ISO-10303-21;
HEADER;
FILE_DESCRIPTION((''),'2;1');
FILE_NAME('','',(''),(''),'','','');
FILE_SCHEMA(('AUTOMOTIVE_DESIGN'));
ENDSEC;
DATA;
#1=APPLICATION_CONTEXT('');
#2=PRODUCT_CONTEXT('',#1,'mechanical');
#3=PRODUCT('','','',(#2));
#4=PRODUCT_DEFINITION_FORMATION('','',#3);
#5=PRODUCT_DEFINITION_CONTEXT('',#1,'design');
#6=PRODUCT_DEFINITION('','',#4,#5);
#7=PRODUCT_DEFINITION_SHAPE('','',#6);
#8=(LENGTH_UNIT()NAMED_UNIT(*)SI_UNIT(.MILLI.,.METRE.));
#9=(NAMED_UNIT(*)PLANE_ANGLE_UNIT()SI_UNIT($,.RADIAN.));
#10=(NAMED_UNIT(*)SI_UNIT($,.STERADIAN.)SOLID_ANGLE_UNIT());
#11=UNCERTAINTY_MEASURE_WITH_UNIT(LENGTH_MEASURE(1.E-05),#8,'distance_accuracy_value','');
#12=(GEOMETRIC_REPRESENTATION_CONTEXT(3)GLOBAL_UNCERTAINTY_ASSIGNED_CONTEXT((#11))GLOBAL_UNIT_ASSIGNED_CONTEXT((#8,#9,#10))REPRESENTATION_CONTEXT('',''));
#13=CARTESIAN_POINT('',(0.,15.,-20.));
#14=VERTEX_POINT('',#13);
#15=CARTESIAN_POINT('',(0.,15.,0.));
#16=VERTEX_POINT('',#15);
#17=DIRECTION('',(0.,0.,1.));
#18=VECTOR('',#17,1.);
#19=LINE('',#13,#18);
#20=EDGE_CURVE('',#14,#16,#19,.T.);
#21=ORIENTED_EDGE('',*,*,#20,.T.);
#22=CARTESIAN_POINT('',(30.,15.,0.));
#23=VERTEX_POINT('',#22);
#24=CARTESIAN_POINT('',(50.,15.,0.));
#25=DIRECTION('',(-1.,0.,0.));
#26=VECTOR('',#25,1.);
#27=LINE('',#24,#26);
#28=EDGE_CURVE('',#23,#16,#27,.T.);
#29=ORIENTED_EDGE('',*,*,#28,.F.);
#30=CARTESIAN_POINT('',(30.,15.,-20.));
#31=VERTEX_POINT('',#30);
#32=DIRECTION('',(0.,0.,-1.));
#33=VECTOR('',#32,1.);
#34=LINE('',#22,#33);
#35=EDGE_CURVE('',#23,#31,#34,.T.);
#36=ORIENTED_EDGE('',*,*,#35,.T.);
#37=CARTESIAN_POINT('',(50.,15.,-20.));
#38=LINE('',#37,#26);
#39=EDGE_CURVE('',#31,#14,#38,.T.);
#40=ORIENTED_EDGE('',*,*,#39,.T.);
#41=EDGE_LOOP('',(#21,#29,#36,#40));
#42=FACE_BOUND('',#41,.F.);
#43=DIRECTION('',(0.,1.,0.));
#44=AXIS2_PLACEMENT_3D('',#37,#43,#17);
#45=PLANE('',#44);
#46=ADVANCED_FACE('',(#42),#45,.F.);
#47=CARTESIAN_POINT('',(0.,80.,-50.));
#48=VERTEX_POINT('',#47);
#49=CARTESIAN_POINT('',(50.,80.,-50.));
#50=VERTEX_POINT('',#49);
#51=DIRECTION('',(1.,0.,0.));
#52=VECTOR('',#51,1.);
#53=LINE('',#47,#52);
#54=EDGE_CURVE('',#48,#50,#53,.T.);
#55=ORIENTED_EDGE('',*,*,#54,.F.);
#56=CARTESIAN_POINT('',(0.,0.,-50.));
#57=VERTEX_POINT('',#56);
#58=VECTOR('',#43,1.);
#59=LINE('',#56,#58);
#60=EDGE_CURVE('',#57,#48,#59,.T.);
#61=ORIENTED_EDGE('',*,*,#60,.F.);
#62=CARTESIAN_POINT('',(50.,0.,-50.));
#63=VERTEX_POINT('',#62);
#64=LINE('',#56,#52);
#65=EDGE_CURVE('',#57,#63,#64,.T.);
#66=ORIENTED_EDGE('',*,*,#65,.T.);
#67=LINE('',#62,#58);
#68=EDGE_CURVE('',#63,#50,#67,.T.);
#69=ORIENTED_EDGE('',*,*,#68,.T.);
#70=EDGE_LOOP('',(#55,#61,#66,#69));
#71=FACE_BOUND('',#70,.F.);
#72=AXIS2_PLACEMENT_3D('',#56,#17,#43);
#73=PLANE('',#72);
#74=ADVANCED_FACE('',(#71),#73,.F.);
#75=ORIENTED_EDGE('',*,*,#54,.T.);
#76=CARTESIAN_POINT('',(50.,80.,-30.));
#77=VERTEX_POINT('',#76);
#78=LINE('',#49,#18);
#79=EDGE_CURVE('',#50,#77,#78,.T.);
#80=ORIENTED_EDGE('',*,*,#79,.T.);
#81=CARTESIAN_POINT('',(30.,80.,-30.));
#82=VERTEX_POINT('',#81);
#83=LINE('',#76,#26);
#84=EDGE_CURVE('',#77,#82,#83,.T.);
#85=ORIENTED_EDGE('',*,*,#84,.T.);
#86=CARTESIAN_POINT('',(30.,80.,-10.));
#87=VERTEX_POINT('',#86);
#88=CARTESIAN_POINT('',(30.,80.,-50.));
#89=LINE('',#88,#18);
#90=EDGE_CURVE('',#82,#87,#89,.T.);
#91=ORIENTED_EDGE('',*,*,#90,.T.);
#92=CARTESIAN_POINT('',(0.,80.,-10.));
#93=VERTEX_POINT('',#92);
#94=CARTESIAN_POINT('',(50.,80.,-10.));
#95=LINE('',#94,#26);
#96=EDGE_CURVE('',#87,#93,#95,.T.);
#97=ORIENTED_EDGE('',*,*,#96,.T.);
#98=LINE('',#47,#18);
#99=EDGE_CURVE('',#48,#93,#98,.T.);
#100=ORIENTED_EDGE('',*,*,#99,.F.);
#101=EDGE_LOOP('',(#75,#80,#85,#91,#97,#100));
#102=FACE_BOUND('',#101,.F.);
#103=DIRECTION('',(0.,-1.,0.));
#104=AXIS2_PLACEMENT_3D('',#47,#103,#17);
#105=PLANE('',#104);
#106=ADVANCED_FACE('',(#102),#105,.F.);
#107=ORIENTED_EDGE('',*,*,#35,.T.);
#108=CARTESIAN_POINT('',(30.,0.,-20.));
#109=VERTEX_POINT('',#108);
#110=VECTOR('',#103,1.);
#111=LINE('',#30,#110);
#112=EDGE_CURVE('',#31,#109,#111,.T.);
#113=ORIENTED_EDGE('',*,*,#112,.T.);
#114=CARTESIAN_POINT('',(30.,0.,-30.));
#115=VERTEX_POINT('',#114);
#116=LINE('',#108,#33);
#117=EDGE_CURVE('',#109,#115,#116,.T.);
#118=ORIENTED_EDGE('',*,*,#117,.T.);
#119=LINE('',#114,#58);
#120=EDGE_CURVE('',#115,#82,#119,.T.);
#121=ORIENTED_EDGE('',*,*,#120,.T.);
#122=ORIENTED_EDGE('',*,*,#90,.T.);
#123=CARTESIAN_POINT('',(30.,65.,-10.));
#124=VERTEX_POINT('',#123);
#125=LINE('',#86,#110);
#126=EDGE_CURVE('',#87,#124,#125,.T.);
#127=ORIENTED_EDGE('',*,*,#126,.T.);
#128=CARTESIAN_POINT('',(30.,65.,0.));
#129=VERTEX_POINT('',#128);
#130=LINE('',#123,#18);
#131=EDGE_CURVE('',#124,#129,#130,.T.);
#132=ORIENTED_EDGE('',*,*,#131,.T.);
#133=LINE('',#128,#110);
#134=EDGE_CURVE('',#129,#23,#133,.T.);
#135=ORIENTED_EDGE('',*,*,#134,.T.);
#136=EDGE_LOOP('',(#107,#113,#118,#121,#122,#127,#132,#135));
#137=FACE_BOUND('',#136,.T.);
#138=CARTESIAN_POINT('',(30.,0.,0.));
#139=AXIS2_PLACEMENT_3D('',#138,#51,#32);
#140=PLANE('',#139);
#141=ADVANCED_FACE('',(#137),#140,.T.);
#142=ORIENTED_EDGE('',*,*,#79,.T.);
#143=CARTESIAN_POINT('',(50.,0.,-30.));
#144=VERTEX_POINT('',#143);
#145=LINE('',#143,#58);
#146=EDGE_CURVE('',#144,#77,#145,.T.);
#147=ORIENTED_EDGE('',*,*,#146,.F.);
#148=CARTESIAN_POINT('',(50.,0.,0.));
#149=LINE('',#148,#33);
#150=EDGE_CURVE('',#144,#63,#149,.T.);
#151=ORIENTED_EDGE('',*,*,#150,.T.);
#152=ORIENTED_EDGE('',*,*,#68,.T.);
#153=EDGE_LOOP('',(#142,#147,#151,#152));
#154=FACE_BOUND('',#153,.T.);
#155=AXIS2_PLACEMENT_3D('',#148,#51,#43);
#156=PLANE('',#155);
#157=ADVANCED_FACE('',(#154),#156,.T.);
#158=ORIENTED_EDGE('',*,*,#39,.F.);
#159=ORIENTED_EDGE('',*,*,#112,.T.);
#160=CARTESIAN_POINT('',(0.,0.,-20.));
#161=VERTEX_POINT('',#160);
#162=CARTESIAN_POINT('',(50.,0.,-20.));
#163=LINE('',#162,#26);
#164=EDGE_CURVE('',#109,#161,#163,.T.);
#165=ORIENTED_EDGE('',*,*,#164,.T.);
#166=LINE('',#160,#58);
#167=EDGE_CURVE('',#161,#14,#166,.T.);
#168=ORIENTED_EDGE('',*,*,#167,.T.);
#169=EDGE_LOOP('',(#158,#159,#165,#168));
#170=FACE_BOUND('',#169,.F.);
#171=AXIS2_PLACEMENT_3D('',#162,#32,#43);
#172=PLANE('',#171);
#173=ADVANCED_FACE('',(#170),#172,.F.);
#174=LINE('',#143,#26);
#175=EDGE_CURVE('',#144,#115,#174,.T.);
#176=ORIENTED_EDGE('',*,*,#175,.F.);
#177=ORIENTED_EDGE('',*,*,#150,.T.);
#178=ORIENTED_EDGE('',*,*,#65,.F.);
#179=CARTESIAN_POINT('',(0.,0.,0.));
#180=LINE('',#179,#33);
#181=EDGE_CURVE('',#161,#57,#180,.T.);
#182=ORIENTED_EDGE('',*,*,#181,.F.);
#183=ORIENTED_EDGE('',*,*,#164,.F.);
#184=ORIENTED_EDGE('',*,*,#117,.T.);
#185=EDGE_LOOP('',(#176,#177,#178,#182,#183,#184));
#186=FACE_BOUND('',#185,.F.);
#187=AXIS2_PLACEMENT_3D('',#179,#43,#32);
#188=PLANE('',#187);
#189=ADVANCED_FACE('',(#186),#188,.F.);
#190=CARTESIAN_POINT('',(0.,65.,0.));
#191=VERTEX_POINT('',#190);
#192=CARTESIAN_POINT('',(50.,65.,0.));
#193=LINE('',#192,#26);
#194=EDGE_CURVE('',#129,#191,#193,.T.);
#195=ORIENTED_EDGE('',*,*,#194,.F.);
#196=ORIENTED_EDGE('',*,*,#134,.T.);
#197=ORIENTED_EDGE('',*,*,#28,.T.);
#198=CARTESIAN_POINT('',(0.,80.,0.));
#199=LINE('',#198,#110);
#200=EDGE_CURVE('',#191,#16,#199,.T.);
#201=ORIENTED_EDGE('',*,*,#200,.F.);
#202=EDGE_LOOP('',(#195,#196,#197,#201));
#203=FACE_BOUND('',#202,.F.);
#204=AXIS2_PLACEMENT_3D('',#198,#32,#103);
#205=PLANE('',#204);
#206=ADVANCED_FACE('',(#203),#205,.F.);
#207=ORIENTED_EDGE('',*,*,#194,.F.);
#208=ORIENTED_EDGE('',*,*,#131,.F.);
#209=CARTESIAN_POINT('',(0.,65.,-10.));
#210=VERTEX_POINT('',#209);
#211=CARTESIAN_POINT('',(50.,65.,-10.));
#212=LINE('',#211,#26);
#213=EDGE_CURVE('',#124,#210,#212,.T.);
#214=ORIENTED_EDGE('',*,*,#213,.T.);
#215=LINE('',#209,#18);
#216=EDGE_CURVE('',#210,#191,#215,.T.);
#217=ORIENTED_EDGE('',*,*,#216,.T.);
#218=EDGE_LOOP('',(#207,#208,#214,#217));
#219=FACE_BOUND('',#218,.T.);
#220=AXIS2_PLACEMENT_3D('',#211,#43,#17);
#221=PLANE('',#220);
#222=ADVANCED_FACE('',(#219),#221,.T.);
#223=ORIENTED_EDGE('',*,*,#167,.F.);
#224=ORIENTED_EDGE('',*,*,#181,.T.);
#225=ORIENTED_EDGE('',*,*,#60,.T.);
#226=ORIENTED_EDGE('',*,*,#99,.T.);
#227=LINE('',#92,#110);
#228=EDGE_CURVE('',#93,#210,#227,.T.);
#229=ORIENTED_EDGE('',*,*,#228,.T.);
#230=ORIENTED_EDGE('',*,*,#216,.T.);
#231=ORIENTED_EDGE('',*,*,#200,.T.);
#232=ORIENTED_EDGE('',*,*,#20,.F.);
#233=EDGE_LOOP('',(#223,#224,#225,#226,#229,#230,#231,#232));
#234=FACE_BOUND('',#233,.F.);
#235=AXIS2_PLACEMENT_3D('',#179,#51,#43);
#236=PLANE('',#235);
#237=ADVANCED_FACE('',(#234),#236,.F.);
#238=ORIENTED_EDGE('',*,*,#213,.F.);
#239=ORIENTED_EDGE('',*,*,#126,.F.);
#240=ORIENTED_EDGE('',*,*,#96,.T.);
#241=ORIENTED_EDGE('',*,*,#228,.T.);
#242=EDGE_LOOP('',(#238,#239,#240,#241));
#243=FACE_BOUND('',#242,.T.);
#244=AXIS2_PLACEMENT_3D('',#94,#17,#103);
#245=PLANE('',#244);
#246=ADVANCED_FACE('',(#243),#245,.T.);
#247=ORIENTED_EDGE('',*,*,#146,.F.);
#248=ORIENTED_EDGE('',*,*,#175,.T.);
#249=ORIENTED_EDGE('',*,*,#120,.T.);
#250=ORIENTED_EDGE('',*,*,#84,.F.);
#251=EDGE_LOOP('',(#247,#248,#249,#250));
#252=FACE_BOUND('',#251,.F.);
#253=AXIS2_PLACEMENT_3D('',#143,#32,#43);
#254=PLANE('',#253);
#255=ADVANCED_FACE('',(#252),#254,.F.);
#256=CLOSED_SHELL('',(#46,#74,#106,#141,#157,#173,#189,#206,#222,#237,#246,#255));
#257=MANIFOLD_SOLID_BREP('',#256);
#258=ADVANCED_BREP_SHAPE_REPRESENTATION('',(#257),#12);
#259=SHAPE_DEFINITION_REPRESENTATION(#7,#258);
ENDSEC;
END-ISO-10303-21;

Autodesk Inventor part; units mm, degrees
ref_plane "YZ Plane" through (0, 0, 0) normal (1, 0, 0) x (0, 1, 0)
ref_plane "XZ Plane" through (0, 0, 0) normal (0, 1, 0) x (-1, 0, 0)
ref_plane "XY Plane" through (0, 0, 0) normal (0, 0, 1) x (1, 0, 0)
sketch "Náčrt1" plane through (0, 0, 0) normal (1, 0, 0) x (0, 1, 0)
  line L0 (0, 0) -> (0, -50)
  line L1 (0, -50) -> (80, -50)
  line L2 (80, -50) -> (80, 0)
  line L3 (80, 0) -> (0, 0)
  dimension "d0" = 50
  dimension "d1" = 80
  dimension "d2" = 50
extrude "Vysunutí1" add sketch "Náčrt1" along normal blind 50
sketch "Náčrt2" plane through (50, 0, 0) normal (1, 0, 0) x (0, 0, -1)
  line L0 (0, 0) -> (20, 0)
  line L1 (0, 0) -> (50, 0) projected
  line L2 (20, 0) -> (20, 15)
  line L3 (20, 15) -> (0, 15)
  line L4 (0, 80) -> (0, 0) projected
  line L5 (0, 0) -> (0, 15)
  line L6 (0, 80) -> (10, 80)
  line L7 (50, 80) -> (0, 80) projected
  line L8 (10, 80) -> (10, 65)
  line L9 (10, 65) -> (0, 65)
  line L10 (0, 80) -> (0, 65)
  dimension "d5" = 20
  dimension "d6" = 15
  dimension "d7" = 10
  dimension "d8" = 15
extrude "Vysunutí2" cut sketch "Náčrt2" against normal blind 50
sketch "Náčrt3" plane through (50, 0, 0) normal (1, 0, 0) x (0, 0, -1)
  line L0 (20, 0) -> (50, 0) projected
  line L1 (50, 0) -> (30, 0)
  line L2 (30, 0) -> (30, 80)
  line L3 (50, 80) -> (10, 80) projected
  line L4 (10, 80) -> (10, 65) projected
  line L5 (30, 80) -> (10, 80)
  line L6 (10, 80) -> (10, 65)
  line L7 (10, 65) -> (0, 65) projected
  line L8 (10, 65) -> (0, 65)
  line L9 (0, 15) -> (20, 15) projected
  line L10 (0, 65) -> (0, 15)
  line L11 (0, 15) -> (20, 15)
  line L12 (20, 15) -> (20, 0) projected
  line L13 (20, 15) -> (20, 0)
  line L14 (20, 0) -> (30, 0)
  point P0 (0, 0)
  dimension "d11" = 20
extrude "Vysunutí3" cut sketch "Náčrt3" against normal blind 20
properties part number "Martin-Probst-26673_obrazek_1"
